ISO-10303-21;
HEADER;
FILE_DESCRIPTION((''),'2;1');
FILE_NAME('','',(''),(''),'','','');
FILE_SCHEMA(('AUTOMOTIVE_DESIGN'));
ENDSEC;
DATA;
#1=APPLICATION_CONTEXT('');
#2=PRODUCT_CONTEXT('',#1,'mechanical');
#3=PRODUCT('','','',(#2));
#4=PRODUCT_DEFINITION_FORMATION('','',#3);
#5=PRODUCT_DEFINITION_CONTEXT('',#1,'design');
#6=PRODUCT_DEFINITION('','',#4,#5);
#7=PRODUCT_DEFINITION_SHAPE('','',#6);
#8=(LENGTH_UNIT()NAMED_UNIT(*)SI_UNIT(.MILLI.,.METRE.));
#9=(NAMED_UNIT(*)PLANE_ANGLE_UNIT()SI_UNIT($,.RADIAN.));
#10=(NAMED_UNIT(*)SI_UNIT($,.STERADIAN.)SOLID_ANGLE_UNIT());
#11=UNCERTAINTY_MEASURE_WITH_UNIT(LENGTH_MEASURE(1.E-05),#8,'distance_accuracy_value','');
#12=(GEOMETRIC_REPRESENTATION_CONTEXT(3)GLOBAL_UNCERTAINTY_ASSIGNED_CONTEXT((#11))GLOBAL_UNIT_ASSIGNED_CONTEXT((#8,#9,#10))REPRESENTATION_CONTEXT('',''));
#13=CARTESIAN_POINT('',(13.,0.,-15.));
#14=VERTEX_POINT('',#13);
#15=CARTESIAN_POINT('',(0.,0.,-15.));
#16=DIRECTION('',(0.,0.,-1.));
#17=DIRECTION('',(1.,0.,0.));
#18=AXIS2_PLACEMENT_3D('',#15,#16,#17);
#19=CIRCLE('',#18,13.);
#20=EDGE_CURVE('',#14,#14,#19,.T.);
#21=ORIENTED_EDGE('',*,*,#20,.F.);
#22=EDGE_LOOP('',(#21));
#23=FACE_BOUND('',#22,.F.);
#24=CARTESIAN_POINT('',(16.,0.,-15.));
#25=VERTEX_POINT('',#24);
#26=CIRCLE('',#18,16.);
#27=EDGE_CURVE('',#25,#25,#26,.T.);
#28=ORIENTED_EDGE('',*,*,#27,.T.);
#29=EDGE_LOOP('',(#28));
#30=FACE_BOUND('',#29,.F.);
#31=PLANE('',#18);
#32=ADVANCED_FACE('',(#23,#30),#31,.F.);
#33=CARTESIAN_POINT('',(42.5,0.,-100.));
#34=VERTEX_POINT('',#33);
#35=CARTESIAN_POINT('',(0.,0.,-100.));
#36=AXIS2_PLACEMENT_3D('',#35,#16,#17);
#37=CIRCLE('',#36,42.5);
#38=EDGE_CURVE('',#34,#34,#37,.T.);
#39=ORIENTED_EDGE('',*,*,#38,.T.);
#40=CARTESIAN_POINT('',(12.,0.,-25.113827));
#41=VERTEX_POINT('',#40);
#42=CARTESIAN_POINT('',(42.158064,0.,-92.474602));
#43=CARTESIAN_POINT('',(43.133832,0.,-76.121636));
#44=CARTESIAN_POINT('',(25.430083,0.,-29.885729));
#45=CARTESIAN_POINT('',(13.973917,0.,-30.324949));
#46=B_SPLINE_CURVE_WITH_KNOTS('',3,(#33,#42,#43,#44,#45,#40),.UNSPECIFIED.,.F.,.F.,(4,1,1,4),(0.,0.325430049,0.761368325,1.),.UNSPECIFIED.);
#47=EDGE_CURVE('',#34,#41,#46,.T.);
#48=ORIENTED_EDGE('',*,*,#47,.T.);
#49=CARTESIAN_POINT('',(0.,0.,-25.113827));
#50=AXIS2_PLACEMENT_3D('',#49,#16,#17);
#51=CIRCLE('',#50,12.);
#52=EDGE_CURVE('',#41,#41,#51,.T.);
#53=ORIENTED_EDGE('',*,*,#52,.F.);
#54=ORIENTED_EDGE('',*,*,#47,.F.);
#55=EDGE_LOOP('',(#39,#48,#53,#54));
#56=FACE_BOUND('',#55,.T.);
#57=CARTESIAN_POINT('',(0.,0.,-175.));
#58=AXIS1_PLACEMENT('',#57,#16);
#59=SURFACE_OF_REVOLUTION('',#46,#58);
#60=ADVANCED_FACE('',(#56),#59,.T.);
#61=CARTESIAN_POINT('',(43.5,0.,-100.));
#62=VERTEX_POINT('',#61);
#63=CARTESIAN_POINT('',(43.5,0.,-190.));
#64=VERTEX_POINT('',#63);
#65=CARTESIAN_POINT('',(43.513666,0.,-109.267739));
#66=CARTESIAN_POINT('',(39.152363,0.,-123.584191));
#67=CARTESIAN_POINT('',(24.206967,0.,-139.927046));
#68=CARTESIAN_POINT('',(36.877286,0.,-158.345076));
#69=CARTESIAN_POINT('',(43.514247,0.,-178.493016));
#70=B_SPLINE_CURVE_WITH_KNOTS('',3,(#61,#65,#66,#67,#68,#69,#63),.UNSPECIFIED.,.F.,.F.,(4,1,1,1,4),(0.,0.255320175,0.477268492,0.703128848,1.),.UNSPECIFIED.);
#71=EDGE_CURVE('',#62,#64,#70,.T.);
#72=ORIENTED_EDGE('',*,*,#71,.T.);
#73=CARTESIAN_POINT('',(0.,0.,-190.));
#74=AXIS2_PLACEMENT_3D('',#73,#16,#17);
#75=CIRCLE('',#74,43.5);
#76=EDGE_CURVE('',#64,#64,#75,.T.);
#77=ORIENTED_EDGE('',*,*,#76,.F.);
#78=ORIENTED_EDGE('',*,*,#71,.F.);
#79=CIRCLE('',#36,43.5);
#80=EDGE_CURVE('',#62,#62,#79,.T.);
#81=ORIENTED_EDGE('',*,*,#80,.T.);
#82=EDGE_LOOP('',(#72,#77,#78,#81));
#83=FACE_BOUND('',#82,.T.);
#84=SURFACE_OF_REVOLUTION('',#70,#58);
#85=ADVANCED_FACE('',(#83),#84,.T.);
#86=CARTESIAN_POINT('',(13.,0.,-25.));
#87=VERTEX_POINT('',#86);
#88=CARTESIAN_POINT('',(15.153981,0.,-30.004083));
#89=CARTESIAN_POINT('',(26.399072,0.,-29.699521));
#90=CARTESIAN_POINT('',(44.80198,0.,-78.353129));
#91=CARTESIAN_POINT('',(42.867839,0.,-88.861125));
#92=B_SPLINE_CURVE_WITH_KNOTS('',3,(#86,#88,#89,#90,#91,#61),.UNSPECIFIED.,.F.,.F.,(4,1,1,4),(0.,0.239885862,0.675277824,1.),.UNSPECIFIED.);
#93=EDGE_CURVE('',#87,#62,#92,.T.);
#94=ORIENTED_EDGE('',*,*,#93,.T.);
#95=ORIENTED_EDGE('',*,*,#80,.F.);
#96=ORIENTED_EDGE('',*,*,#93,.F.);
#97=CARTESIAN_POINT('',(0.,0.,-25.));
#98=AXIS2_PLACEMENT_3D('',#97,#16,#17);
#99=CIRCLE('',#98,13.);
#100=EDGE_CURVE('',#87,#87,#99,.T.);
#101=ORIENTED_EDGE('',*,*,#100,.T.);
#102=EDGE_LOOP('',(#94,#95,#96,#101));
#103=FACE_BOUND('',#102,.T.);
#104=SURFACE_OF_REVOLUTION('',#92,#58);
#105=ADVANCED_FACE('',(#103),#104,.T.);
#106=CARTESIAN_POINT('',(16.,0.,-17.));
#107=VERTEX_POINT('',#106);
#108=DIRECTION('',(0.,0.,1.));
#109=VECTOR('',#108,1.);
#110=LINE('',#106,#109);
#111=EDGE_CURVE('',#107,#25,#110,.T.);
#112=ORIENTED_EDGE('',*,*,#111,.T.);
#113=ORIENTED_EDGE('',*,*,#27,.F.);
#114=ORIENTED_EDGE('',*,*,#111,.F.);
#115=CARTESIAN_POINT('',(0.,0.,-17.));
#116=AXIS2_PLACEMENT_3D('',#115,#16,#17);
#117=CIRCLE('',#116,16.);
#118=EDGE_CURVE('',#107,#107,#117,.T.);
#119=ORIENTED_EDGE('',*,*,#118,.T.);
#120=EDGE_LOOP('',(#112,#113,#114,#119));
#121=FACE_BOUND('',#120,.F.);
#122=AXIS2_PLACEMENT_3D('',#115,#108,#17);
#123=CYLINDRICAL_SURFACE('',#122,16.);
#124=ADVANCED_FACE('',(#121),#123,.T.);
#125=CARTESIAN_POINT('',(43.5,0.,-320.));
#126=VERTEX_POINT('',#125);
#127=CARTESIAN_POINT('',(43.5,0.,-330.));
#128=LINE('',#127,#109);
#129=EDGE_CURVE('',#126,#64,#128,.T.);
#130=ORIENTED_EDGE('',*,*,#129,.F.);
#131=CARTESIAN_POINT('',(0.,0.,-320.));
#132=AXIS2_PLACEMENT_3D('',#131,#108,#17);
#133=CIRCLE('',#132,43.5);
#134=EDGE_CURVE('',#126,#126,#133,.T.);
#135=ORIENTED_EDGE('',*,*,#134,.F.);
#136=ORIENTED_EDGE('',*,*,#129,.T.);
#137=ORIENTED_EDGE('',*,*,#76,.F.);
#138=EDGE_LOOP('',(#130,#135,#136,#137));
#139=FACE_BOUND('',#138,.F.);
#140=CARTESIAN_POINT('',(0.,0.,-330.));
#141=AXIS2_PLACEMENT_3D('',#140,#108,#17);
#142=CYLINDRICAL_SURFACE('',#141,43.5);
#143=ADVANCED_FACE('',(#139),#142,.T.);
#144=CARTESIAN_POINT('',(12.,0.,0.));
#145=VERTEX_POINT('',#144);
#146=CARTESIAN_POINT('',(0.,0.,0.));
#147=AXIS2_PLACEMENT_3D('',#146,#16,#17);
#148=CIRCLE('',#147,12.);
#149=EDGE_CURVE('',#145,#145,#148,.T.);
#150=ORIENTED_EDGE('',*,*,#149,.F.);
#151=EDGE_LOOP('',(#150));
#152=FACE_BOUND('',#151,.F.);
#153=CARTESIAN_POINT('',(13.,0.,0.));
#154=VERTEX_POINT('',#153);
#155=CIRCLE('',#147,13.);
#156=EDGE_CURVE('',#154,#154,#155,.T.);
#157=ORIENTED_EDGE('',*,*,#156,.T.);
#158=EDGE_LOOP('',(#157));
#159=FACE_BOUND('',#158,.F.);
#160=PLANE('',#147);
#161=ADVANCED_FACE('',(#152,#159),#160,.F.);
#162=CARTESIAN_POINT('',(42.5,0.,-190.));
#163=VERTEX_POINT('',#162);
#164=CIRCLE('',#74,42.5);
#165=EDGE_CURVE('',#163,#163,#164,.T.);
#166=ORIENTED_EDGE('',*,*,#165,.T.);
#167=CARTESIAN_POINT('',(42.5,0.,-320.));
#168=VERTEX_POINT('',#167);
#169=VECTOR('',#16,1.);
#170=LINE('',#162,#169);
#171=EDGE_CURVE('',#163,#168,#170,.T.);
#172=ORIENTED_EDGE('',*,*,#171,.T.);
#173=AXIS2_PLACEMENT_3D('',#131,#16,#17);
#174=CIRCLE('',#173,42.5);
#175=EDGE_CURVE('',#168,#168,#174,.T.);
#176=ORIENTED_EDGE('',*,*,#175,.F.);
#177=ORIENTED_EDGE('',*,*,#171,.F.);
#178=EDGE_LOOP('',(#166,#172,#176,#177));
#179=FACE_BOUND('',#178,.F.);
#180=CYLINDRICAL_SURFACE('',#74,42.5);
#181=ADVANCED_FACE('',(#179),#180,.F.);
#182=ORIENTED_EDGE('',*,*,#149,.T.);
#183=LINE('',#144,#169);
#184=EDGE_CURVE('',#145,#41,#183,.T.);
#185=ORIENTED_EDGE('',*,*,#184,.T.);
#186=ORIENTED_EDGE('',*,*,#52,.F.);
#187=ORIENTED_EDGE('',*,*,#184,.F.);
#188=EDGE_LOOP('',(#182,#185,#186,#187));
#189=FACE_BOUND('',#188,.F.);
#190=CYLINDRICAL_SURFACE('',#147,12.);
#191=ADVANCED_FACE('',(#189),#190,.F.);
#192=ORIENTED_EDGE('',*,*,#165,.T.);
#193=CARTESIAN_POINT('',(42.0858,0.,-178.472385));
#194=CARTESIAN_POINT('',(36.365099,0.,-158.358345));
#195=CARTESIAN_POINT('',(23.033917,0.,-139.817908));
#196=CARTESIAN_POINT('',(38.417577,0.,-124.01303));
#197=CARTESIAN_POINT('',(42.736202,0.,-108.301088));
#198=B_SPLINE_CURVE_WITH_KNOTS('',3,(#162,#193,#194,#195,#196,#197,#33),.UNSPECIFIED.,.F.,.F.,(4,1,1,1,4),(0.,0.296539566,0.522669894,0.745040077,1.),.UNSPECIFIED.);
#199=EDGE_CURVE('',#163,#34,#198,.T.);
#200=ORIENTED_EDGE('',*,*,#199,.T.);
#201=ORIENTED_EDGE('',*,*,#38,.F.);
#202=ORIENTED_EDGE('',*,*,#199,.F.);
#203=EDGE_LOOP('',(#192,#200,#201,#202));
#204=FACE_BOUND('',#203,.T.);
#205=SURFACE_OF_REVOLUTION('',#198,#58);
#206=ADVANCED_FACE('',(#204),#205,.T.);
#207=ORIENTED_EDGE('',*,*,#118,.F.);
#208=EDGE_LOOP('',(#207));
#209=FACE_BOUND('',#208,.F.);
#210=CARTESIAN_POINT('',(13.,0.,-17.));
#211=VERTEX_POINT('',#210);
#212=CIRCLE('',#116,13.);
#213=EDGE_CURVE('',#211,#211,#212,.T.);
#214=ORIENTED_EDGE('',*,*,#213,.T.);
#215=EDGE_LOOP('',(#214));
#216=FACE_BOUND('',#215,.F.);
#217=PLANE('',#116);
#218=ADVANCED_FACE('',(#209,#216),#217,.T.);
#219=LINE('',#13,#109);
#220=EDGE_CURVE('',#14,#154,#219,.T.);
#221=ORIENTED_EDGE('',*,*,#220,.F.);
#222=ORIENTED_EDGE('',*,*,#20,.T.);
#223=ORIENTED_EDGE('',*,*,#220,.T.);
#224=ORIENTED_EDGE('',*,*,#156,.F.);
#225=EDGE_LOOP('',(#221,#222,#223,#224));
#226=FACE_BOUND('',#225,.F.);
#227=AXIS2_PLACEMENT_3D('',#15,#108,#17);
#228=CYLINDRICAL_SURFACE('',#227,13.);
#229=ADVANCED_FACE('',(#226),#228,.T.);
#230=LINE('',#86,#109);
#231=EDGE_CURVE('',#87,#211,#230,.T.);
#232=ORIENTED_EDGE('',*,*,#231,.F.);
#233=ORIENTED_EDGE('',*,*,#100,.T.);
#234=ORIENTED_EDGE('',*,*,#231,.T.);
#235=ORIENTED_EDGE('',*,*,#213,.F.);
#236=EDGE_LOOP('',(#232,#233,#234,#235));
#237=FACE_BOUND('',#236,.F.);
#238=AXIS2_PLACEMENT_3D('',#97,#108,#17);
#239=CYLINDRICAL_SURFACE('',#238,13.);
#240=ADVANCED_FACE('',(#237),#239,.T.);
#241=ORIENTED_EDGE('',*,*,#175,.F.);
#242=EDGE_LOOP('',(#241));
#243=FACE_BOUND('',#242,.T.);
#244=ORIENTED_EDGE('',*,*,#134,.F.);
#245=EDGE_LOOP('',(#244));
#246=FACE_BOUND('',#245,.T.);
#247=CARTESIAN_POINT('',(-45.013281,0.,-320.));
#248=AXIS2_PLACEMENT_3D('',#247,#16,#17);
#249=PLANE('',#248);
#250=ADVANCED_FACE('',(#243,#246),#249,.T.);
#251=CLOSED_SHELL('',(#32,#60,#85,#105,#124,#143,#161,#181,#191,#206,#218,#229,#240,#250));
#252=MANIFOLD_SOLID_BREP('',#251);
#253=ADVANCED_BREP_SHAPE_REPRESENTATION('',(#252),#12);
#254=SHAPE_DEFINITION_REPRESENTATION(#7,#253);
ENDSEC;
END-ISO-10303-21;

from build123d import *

# Parameters (mm, degrees)
F2_W     = 90.759490079
F2_H     = 30
F3_DEPTH = 50


with BuildPart() as f1:
    # F0 (on Front) → F1 (revolve)
    with BuildSketch(Plane.XZ):
        with BuildLine():
            Line((0, -349), (0, -350))
            Line((0, -350), (23.5, -350))
            ThreePointArc((23.5, -350), (37.6421356237, -344.1421356237), (43.5, -330))
            Line((43.5, -330), (43.5, -190))
            add(Edge.make_bspline(
                [(43.5, -100), (43.5136655823, -109.2677385113), (39.1523633552, -123.5841908002), (24.2069666289, -139.9270455841), (36.8772857328, -158.3450760247), (43.5142465453, -178.4930156545), (43.5, -190)],
                knots=[0, 0, 0, 0, 0.2553201748, 0.4772684921, 0.7031288482, 1, 1, 1, 1], degree=3))
            add(Edge.make_bspline(
                [(13, -25), (15.153980754, -30.004083225), (26.3990720982, -29.6995209895), (44.8019804311, -78.3531291958), (42.8678392414, -88.8611251657), (43.5, -100)],
                knots=[0, 0, 0, 0, 0.239885862, 0.6752778241, 1, 1, 1, 1], degree=3))
            Line((13, -25), (13, -17))
            Line((13, -17), (16, -17))
            Line((16, -17), (16, -15))
            Line((16, -15), (13, -15))
            Line((13, -15), (13, 0))
            Line((13, 0), (12, 0))
            Line((12, 0), (12, -1))
            Line((12, -1), (12, -25.1138266176))
            add(Edge.make_bspline(
                [(42.5, -100), (42.1580635011, -92.4746021628), (43.1338322578, -76.1216357103), (25.4300825706, -29.885728794), (13.9739168808, -30.3249489516), (12, -25.1138266176)],
                knots=[0, 0, 0, 0, 0.3254300492, 0.7613683252, 1, 1, 1, 1], degree=3))
            add(Edge.make_bspline(
                [(42.5, -190), (42.0858003199, -178.4723848104), (36.3650992329, -158.3583449355), (23.0339165178, -139.8179083613), (38.4175773884, -124.0130301912), (42.7362024784, -108.3010882139), (42.5, -100)],
                knots=[0, 0, 0, 0, 0.2965395662, 0.5226698941, 0.7450400773, 1, 1, 1, 1], degree=3))
            Line((42.5, -190), (42.5, -330))
            ThreePointArc((42.5, -330), (36.9350288425, -343.4350288425), (23.5, -349))
            Line((23.5, -349), (0, -349))
        make_face()
    revolve(axis=Axis((0, 0, -175), (0, 0, -1)))

    # F2 (on Front) → F3 (cut, symmetric)
    with BuildSketch(Plane.XZ):
        with Locations((0.3664636352, -335)):
            Rectangle(F2_W, F2_H)
    extrude(amount=F3_DEPTH, both=True, mode=Mode.SUBTRACT)


solid = f1.part
